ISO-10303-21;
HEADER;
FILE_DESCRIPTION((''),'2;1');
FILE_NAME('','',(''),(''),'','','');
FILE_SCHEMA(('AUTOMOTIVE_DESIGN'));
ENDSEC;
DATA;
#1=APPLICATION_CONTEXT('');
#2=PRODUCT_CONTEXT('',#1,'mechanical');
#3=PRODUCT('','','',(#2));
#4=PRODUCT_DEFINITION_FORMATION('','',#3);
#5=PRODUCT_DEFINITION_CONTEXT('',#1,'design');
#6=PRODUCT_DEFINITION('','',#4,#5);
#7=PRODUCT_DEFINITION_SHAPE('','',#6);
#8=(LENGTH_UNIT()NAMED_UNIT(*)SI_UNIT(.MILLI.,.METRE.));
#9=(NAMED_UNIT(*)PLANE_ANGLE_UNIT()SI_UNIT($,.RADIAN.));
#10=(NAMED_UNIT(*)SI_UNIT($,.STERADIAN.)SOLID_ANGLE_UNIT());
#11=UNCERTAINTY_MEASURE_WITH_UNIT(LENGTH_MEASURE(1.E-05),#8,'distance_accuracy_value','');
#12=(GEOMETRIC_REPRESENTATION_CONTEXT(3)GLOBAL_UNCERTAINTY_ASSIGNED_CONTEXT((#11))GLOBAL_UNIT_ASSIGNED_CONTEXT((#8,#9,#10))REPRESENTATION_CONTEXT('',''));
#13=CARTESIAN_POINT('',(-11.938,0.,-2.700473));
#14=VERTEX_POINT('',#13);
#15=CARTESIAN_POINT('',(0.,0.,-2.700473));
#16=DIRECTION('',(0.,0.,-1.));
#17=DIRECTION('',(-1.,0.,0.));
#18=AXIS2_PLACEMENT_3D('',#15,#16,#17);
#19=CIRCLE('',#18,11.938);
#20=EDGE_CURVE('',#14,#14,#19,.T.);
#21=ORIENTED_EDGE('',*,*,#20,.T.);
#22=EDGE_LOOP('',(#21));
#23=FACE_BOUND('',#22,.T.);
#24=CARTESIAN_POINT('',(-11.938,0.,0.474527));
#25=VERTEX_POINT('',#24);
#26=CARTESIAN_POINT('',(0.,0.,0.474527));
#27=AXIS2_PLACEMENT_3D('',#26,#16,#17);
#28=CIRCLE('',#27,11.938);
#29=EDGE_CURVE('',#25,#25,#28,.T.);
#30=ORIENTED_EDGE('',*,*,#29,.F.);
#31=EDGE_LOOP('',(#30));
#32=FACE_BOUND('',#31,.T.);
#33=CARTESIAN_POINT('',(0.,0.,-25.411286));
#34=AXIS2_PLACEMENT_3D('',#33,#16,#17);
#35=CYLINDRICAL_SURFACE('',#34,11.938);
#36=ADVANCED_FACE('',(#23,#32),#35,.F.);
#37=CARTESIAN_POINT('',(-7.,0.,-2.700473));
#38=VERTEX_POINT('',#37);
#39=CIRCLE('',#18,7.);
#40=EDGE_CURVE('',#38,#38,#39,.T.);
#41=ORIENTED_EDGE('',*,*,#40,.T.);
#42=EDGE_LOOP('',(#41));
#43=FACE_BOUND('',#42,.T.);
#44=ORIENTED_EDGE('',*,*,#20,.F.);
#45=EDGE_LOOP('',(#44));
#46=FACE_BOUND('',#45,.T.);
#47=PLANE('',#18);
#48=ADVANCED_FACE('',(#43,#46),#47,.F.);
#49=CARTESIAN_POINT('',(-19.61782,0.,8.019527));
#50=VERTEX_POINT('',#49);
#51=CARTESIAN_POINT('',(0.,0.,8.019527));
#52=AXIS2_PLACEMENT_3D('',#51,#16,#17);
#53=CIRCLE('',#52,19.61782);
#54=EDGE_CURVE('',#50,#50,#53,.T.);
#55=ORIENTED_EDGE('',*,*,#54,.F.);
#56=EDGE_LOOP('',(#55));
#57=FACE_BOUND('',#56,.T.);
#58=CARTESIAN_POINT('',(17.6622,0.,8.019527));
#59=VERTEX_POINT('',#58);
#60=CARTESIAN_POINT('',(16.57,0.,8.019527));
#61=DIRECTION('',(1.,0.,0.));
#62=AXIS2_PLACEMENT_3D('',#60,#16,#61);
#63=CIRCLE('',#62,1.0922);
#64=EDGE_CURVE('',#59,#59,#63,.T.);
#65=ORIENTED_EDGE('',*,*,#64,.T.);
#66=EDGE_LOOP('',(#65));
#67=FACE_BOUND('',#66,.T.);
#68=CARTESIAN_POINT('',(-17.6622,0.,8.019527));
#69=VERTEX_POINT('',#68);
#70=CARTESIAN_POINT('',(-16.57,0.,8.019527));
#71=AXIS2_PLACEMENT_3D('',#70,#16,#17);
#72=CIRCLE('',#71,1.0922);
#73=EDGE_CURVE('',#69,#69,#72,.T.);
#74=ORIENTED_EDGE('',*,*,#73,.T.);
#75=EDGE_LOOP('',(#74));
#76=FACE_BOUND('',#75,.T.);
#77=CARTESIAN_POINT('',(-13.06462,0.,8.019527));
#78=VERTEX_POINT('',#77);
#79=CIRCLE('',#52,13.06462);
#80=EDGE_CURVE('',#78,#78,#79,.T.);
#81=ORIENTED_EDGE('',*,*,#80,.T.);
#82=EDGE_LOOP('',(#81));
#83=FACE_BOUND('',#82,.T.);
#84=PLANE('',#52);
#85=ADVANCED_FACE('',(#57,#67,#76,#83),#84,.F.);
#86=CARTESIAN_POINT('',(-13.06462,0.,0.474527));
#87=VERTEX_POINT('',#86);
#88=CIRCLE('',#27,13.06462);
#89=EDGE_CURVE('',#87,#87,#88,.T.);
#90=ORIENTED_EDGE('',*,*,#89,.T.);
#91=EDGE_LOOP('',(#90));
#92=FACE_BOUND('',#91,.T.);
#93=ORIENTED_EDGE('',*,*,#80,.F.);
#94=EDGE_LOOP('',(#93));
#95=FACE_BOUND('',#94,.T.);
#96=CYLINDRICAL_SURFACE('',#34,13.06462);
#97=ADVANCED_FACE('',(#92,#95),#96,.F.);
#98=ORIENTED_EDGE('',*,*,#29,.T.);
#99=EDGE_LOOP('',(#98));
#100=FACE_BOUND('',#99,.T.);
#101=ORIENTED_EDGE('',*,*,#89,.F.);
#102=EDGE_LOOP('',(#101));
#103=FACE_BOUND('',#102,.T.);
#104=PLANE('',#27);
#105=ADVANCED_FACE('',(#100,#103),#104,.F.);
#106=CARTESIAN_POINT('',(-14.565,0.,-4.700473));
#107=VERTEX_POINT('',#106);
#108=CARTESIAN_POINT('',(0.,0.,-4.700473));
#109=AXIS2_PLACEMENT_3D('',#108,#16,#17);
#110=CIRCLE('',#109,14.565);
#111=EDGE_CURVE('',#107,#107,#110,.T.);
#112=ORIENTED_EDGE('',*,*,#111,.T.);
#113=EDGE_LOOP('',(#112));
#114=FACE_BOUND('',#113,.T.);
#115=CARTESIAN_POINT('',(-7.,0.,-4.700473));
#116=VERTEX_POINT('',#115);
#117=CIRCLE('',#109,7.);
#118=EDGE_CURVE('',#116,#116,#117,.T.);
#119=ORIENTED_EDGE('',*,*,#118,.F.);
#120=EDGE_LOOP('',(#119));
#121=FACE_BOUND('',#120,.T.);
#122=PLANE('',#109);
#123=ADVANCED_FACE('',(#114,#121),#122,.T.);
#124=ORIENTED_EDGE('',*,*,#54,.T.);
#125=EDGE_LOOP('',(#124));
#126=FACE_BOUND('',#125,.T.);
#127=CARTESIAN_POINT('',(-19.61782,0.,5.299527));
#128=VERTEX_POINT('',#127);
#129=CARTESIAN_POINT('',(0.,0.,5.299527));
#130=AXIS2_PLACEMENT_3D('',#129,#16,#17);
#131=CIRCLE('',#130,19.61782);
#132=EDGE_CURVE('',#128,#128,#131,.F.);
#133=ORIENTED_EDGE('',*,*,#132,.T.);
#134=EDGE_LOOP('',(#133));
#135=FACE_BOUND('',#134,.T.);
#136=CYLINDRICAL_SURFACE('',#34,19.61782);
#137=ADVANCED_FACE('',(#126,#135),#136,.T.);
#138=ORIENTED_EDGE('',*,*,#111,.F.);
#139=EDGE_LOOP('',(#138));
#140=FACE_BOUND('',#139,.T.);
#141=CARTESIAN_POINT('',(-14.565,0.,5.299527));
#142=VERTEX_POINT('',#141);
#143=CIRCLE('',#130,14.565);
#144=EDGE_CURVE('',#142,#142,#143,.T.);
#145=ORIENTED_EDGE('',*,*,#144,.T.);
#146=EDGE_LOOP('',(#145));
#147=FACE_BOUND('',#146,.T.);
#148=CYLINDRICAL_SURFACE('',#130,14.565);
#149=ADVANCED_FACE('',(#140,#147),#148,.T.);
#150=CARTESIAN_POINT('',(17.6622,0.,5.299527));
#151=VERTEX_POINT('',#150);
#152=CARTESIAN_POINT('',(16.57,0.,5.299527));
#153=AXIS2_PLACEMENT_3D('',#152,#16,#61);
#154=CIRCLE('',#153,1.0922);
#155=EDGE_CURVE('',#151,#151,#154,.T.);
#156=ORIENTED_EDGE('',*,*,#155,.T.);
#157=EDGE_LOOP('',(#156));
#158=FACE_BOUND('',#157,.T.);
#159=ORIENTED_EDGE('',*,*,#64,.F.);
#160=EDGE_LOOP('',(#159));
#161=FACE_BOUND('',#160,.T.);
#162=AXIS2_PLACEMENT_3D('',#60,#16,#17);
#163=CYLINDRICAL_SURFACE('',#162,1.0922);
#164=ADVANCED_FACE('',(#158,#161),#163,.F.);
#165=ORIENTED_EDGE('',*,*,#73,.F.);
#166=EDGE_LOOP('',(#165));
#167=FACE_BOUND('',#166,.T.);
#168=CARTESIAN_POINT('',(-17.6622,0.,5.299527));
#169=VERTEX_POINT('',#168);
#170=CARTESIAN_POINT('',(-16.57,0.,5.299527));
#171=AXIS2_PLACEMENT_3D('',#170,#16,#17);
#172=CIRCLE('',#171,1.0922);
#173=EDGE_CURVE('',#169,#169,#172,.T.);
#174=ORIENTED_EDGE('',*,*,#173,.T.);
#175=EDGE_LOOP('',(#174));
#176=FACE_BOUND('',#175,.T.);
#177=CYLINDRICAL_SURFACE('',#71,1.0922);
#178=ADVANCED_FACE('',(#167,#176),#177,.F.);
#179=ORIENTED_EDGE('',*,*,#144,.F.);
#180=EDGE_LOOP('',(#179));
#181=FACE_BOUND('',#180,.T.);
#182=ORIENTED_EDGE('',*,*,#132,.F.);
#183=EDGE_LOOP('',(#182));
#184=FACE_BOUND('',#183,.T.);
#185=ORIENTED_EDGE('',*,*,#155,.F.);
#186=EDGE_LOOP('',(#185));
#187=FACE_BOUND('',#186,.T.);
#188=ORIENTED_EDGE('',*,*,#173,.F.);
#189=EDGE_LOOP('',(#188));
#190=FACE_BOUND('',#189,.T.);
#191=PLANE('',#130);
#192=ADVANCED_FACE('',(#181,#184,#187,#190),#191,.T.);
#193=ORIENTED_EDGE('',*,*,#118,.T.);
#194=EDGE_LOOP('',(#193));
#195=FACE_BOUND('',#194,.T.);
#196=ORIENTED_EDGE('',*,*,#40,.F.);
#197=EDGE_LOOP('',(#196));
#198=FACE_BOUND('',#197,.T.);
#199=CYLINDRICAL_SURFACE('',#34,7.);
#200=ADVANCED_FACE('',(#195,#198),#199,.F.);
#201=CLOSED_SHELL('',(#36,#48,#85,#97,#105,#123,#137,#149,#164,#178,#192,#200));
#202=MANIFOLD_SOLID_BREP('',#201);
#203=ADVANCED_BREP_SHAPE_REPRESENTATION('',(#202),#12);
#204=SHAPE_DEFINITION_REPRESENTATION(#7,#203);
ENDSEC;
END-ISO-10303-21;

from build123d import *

# Parameters (mm, degrees)
SKETCH1_W          = 12.617819502
SKETCH1_H          = 2
SKETCH1_W_2        = 6.5532
SKETCH1_H_2        = 7.545
SKETCH2_R          = 26.652766262
SKETCH2_R_2        = 14.565
CUT_EXTRUDE1_DEPTH = 10
SKETCH4_R          = 1.0922
CUT_EXTRUDE2_DEPTH = 30.490976315


with BuildPart() as part:
    # Sketch1 → Revolve1 (revolve)
    with BuildSketch(Plane(origin=(0, 0, 0), x_dir=(1, 0, 0), z_dir=(0, 1, 0))):
        with Locations((-13.308909751, 3.700473465)):
            Rectangle(SKETCH1_W, SKETCH1_H)
        Polygon((-11.938, 2.700473465), (-19.617819502, 2.700473465), (-19.617819502, -0.474526535), (-13.064619502, -0.474526535), (-11.938, -0.474526535), align=None)
        with Locations((-16.341219502, -4.247026535)):
            Rectangle(SKETCH1_W_2, SKETCH1_H_2)
    revolve(axis=Axis((0, 0, -25.411285606), (0, 0, 1)))

    # Sketch2 → Cut-Extrude1 (cut)
    with BuildSketch(Plane(origin=(0, 0, -4.700473465), x_dir=(-1, 0, 0), z_dir=(0, 0, -1))):
        Circle(SKETCH2_R)
        Circle(SKETCH2_R_2, mode=Mode.SUBTRACT)
    extrude(amount=-CUT_EXTRUDE1_DEPTH, mode=Mode.SUBTRACT)

    # Sketch4 → Cut-Extrude2 (cut, through all)
    with BuildSketch(Plane(origin=(0, 0, 5.299526535), x_dir=(-1, 0, 0), z_dir=(0, 0, -1))):
        with Locations((16.57, 0)):
            Circle(SKETCH4_R)
        with Locations(Location((-16.57, 0, 0), (0, 0, 180))):
            Circle(SKETCH4_R)
    extrude(amount=-CUT_EXTRUDE2_DEPTH, mode=Mode.SUBTRACT)


solid = part.part
